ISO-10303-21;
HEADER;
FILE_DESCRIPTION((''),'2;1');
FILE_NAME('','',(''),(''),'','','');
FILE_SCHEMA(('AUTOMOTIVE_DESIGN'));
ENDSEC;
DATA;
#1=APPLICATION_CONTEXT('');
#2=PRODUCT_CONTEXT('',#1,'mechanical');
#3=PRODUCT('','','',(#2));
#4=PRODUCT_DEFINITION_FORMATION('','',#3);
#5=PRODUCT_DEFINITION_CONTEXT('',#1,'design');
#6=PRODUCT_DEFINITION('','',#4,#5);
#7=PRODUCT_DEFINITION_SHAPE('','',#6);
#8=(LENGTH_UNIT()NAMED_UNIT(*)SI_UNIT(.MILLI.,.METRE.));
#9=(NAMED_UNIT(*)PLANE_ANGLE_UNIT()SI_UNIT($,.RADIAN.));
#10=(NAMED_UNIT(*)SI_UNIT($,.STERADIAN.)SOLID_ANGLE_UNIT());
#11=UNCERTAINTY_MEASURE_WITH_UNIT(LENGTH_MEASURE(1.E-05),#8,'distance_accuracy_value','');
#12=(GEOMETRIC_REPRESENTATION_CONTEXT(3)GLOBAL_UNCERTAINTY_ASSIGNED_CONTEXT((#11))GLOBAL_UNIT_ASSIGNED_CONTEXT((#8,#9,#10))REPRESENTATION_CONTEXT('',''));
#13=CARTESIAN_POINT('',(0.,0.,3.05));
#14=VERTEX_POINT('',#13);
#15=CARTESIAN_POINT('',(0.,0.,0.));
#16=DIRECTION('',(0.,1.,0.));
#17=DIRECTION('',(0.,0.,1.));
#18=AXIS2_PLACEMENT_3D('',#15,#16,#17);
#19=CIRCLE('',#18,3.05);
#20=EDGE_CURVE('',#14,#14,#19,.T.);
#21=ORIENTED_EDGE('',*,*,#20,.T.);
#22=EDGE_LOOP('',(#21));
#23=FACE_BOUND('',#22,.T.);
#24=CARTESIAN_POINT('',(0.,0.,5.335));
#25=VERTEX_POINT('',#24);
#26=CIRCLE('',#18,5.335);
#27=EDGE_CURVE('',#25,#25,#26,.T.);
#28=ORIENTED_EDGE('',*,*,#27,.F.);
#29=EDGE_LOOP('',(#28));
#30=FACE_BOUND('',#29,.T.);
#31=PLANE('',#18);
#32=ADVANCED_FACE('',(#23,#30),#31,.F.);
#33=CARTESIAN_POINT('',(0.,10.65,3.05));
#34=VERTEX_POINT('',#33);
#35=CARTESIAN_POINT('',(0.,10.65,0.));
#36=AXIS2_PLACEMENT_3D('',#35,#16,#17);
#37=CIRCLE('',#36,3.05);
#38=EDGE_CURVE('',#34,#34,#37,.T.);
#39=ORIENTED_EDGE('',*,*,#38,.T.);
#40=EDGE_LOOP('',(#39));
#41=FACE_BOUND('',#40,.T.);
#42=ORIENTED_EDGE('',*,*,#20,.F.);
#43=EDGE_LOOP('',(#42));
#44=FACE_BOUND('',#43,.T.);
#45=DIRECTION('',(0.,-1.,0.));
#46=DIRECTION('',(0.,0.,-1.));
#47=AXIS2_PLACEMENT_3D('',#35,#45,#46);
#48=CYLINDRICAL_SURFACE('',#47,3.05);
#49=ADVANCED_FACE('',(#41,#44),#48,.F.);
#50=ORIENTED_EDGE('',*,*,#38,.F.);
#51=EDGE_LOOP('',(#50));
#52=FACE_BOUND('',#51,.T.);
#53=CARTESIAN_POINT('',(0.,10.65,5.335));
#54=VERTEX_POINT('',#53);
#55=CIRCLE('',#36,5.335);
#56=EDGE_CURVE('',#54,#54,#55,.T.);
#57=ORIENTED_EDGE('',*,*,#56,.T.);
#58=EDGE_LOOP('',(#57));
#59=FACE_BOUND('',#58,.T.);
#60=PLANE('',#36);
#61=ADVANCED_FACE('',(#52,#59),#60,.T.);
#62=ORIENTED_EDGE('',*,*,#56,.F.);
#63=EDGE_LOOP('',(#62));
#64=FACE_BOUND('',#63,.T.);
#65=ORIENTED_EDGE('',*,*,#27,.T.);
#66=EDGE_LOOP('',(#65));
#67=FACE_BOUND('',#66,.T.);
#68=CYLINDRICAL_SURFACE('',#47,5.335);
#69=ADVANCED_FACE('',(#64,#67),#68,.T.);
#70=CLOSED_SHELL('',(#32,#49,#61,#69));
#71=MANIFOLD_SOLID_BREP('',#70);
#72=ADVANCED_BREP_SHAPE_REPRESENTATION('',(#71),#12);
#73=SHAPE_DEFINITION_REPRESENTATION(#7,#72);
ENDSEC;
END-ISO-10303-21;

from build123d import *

# Parameters (mm, degrees)
SKETCH2_R           = 5.335
SKETCH2_R_2         = 3.05
BOSS_EXTRUDE1_DEPTH = 10.65


with BuildPart() as part:
    # Sketch2 → Boss-Extrude1 (new body)
    with BuildSketch(Plane(origin=(0, 0, 0), x_dir=(1, 0, 0), z_dir=(0, 1, 0))):
        with Locations(Location((0, 0, 0), (0, 0, 270))):
            Circle(SKETCH2_R)
        with Locations(Location((0, 0, 0), (0, 0, 270))):
            Circle(SKETCH2_R_2, mode=Mode.SUBTRACT)
    extrude(amount=BOSS_EXTRUDE1_DEPTH)


solid = part.part
